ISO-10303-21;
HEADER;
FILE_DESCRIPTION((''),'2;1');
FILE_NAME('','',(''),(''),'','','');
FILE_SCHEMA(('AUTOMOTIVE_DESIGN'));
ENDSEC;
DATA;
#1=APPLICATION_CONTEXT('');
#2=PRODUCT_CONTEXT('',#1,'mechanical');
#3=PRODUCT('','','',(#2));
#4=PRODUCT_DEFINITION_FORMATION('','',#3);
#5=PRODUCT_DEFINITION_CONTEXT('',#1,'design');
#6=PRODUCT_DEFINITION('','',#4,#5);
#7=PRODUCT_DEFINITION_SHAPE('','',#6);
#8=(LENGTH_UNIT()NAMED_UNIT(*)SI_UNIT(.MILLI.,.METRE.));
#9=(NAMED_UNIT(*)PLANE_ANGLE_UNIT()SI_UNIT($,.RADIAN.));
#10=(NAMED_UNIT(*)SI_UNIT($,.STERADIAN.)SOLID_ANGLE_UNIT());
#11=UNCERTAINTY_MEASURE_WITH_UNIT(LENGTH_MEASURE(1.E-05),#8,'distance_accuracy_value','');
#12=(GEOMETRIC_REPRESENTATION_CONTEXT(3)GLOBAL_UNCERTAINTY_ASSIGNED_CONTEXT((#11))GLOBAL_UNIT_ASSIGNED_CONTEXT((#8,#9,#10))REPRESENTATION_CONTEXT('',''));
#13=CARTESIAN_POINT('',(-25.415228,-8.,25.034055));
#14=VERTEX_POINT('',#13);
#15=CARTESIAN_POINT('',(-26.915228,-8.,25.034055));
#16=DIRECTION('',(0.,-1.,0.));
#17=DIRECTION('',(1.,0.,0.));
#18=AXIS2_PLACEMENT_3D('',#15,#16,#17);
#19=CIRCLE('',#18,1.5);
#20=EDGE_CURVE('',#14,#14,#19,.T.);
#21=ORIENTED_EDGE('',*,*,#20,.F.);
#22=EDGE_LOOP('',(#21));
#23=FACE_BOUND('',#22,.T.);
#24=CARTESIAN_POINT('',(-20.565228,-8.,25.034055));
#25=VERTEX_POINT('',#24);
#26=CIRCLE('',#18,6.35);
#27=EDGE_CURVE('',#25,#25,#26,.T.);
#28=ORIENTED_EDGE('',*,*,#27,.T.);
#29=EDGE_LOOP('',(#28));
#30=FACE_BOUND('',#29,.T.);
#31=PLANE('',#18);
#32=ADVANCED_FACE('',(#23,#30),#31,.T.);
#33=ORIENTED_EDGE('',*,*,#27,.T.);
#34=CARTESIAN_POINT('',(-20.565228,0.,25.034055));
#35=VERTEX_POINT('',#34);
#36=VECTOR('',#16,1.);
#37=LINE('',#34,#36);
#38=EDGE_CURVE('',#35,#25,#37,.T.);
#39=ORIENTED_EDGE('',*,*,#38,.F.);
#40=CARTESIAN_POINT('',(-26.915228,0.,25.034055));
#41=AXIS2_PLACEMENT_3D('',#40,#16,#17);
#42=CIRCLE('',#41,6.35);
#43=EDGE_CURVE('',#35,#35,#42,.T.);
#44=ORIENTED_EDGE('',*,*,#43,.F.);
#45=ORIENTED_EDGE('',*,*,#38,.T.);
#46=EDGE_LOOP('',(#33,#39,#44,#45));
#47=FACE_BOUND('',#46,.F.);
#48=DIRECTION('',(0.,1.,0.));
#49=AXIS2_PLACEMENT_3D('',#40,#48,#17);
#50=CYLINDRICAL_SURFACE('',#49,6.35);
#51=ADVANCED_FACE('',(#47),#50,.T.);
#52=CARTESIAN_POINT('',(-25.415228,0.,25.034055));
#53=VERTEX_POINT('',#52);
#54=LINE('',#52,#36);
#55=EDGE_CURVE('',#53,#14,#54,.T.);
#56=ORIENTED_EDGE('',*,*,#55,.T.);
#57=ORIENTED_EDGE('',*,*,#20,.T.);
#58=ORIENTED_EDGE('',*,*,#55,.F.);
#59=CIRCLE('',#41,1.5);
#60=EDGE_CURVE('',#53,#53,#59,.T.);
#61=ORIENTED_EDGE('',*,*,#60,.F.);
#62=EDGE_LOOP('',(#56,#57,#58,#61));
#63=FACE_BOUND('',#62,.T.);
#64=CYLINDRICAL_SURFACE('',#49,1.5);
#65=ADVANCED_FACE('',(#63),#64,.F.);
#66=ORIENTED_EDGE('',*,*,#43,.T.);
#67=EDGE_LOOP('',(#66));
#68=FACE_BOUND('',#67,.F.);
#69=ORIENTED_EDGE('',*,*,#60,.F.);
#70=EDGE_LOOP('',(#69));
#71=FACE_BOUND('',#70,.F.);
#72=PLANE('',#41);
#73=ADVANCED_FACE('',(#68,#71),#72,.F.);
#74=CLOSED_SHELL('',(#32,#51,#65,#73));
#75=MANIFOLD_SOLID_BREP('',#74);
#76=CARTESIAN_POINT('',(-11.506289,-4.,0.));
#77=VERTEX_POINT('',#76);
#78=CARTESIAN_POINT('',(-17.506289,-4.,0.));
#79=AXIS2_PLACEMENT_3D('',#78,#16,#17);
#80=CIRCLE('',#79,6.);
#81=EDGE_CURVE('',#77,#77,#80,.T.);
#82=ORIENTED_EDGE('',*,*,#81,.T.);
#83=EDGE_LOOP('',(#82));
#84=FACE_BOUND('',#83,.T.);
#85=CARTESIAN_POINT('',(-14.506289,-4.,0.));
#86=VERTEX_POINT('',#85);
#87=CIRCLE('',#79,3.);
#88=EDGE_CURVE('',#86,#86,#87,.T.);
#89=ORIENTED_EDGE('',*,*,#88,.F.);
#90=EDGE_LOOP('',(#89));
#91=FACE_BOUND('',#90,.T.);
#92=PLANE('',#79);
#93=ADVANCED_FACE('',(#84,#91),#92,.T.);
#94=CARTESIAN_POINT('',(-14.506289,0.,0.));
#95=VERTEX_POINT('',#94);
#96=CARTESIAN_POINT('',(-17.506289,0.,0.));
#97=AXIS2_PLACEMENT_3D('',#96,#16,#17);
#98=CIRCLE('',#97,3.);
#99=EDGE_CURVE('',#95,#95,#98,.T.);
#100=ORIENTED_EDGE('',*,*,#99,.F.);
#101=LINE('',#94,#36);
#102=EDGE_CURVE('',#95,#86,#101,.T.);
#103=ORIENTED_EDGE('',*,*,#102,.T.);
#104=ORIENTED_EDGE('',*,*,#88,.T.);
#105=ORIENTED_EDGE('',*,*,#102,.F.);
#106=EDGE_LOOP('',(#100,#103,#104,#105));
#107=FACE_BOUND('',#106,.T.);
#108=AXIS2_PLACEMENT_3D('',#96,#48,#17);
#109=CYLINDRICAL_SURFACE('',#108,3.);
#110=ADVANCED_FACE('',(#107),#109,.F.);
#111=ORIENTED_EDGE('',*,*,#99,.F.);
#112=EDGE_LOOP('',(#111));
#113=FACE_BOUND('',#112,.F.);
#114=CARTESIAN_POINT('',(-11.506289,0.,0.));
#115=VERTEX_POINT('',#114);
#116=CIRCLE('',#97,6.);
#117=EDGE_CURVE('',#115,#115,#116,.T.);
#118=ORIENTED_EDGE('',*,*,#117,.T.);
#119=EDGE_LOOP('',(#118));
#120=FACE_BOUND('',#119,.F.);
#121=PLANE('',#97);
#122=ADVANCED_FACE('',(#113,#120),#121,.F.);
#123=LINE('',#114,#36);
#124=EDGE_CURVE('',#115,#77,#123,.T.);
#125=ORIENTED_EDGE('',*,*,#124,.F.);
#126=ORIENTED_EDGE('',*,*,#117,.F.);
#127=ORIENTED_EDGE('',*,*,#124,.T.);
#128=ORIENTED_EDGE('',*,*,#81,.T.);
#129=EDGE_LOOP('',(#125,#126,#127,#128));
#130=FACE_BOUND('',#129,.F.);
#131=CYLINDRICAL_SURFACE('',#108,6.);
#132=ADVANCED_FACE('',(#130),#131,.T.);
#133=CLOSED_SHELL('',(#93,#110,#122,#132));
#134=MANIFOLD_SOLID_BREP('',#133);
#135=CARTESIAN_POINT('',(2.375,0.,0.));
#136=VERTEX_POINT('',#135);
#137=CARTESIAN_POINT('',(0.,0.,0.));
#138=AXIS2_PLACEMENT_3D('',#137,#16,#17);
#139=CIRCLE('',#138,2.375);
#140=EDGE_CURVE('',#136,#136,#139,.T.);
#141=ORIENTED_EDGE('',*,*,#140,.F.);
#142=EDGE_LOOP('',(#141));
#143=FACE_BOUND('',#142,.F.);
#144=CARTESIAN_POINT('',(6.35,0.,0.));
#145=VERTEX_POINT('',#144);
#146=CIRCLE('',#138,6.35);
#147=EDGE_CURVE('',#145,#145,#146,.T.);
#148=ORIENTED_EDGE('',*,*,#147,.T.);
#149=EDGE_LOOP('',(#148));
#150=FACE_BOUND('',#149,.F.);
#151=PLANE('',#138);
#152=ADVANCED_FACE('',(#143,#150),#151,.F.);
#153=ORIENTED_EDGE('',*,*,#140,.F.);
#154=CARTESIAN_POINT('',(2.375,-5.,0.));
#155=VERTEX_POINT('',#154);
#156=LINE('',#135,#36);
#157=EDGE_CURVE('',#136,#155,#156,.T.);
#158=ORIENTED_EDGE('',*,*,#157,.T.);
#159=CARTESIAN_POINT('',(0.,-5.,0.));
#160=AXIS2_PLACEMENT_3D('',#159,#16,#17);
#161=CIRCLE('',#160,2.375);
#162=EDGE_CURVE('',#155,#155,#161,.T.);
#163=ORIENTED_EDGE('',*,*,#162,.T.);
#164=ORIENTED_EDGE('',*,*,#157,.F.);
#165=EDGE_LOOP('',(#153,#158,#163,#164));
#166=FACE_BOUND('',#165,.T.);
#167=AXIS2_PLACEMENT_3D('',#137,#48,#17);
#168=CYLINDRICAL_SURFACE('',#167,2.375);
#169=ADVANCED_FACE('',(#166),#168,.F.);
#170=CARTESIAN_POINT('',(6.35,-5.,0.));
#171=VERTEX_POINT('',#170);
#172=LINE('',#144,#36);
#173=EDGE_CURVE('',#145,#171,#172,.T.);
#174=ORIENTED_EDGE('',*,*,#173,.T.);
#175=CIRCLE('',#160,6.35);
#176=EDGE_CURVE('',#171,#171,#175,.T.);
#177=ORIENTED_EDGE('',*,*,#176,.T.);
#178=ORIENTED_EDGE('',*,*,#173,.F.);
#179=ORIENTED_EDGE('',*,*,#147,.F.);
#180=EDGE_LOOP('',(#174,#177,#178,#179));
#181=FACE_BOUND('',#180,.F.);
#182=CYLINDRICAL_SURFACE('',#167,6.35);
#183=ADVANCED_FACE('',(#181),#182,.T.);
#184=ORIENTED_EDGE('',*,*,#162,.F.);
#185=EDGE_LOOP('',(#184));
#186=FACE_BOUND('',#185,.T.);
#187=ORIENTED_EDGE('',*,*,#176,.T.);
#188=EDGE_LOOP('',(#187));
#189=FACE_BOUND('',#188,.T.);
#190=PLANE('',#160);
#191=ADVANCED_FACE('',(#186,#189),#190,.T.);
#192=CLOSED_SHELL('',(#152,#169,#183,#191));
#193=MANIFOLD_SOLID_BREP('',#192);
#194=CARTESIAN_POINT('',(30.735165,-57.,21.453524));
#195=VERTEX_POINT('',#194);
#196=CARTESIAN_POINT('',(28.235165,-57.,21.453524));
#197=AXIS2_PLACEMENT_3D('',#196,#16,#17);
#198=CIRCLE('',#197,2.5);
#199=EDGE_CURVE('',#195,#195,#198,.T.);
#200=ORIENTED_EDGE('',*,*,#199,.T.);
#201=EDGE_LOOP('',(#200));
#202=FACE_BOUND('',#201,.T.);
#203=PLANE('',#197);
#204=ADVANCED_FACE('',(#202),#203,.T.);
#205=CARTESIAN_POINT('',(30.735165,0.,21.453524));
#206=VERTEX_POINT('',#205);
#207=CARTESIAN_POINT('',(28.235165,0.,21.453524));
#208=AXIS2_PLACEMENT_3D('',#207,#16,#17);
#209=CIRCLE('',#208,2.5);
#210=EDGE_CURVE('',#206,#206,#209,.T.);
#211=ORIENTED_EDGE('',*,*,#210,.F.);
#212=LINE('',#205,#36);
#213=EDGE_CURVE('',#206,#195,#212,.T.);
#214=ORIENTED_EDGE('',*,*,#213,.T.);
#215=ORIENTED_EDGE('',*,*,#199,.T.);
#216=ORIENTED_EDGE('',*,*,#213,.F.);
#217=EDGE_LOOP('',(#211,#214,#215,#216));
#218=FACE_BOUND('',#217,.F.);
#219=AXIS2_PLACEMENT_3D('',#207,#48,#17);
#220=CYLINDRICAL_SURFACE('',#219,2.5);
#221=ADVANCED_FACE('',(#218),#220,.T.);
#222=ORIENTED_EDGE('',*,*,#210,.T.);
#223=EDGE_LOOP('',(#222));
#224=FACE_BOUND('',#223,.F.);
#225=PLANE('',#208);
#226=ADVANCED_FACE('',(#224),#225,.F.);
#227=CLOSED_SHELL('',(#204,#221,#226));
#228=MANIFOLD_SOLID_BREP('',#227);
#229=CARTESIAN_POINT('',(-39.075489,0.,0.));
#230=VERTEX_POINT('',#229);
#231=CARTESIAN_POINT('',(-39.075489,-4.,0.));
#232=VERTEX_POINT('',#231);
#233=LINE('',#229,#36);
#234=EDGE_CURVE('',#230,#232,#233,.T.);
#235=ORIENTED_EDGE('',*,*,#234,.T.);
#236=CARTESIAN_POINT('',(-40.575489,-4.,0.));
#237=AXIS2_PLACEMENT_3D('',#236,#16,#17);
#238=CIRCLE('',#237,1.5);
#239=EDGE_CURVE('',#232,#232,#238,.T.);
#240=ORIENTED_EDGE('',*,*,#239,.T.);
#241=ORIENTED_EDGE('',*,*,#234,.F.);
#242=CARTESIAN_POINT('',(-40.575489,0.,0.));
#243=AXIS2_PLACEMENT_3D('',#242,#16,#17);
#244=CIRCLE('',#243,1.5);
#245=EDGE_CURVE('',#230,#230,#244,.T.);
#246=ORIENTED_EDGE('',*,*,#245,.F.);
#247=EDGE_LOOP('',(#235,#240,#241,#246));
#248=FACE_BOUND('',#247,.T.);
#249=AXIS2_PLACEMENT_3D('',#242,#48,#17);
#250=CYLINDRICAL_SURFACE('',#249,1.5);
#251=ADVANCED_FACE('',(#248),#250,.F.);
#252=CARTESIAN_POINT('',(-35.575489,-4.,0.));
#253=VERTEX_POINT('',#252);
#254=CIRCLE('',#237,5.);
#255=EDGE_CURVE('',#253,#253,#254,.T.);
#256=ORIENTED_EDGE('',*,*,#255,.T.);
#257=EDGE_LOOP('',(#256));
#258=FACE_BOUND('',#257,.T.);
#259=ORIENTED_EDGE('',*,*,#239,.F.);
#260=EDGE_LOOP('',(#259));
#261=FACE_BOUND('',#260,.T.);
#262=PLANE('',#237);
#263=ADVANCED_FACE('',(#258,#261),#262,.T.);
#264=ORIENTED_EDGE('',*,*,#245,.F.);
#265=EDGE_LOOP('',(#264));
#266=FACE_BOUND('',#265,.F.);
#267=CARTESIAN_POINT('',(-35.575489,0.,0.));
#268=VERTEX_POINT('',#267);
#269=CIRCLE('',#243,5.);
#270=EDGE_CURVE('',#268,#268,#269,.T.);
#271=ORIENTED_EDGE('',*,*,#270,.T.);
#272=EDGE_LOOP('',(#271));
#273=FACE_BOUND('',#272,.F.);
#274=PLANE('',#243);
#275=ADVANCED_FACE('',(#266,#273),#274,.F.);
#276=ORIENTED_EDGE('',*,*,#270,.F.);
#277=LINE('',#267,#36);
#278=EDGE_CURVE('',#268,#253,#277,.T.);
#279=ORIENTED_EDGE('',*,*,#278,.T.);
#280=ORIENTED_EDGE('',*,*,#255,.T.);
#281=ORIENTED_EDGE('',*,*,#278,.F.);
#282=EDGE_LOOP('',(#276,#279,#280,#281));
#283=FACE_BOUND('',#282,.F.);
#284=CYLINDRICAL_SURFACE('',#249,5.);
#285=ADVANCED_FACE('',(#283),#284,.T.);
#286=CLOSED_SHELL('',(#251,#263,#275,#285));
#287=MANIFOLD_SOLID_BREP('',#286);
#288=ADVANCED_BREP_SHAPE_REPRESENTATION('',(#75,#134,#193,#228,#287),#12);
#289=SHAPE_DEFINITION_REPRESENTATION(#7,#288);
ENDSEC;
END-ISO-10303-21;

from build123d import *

# Parameters (mm, degrees)
F0_R     = 6.35
F0_R_2   = 2.375
F1_DEPTH = 5
F2_R     = 2.5
F3_DEPTH = 57
F4_R     = 5
F4_R_2   = 1.5
F5_DEPTH = 4
F6_R     = 6
F6_R_2   = 3
F7_DEPTH = 4
F8_R     = 6.35
F8_R_2   = 1.5
F9_DEPTH = 8


with BuildPart() as f1:
    # F0 (on Front) → F1 (new body)
    with BuildSketch(Plane.XZ):
        Circle(F0_R)
        Circle(F0_R_2, mode=Mode.SUBTRACT)
    extrude(amount=F1_DEPTH)


with BuildPart() as f3:
    # F2 (on Front) → F3 (new body)
    with BuildSketch(Plane.XZ):
        with Locations((28.235165, 21.453524)):
            Circle(F2_R)
    extrude(amount=F3_DEPTH)


with BuildPart() as f5:
    # F4 (on Front) → F5 (new body)
    with BuildSketch(Plane.XZ):
        with Locations((-40.575489, 0)):
            Circle(F4_R)
        with Locations((-40.575489, 0)):
            Circle(F4_R_2, mode=Mode.SUBTRACT)
    extrude(amount=F5_DEPTH)


with BuildPart() as f7:
    # F6 (on Front) → F7 (new body)
    with BuildSketch(Plane.XZ):
        with Locations((-17.506289, 0)):
            Circle(F6_R)
        with Locations((-17.506289, 0)):
            Circle(F6_R_2, mode=Mode.SUBTRACT)
    extrude(amount=F7_DEPTH)


with BuildPart() as f9:
    # F8 (on Front) → F9 (new body)
    with BuildSketch(Plane.XZ):
        with Locations((-26.915228, 25.034055)):
            Circle(F8_R)
        with Locations((-26.915228, 25.034055)):
            Circle(F8_R_2, mode=Mode.SUBTRACT)
    extrude(amount=F9_DEPTH)


solid = Compound([f1.part, f3.part, f5.part, f7.part, f9.part])
